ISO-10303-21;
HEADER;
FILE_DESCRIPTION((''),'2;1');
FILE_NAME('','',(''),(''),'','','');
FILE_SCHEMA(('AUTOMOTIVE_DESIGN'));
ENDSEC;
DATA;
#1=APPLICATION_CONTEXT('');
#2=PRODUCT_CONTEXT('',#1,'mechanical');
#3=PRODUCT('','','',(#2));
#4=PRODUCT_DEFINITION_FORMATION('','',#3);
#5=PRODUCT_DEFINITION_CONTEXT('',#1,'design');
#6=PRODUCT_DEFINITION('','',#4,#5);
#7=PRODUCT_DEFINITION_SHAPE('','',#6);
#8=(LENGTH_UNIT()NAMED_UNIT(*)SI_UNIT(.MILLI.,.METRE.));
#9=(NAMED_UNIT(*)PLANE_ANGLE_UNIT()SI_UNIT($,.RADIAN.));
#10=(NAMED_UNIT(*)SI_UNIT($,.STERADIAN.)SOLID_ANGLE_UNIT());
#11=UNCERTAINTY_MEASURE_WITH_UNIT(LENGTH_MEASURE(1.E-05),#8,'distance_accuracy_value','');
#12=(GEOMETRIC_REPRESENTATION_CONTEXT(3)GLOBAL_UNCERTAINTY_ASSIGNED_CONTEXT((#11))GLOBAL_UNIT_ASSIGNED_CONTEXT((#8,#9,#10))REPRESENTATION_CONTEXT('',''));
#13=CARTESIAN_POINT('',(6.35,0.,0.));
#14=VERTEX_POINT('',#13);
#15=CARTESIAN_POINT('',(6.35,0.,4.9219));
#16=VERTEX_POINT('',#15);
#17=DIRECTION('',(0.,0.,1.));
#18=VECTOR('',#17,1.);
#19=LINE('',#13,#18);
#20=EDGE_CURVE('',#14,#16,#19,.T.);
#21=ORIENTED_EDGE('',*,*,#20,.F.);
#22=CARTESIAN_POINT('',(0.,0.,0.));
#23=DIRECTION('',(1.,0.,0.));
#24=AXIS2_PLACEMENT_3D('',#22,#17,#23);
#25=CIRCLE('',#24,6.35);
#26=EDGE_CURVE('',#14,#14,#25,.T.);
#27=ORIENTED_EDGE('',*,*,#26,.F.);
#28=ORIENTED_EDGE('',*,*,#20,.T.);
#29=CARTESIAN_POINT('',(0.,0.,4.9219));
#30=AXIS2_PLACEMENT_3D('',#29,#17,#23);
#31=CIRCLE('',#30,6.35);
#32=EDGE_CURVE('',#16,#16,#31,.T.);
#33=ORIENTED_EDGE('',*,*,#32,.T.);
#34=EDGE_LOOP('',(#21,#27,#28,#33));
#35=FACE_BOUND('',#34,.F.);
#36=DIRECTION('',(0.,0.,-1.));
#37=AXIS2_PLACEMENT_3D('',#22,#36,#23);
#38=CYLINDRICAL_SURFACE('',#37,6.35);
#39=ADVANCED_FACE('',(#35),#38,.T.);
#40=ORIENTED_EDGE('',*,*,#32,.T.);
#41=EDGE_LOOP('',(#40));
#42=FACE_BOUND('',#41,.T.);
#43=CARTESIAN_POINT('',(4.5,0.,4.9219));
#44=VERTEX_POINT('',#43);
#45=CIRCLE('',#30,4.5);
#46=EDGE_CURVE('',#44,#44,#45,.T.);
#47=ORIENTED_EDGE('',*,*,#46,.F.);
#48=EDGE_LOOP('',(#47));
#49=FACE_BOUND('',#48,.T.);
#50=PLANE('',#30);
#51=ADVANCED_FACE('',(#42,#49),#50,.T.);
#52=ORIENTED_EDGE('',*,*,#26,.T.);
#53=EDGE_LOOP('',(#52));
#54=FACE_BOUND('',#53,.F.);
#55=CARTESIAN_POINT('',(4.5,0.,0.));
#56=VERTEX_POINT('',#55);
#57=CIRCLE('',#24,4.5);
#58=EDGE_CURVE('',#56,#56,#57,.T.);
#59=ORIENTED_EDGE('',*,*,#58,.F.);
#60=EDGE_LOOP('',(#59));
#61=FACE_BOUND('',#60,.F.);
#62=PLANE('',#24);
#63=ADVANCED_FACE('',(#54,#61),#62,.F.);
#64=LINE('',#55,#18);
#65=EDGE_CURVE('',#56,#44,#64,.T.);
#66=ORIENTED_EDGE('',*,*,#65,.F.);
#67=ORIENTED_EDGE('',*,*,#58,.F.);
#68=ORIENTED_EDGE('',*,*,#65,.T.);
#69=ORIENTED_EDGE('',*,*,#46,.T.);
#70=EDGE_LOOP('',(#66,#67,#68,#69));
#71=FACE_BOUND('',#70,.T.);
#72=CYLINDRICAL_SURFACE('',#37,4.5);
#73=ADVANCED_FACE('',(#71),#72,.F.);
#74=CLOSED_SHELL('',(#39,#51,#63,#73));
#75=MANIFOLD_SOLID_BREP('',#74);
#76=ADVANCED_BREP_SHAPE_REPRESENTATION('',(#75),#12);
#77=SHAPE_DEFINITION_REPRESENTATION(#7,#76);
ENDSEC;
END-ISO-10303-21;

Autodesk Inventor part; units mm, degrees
ref_plane "YZ Plane" through (0, 0, 0) normal (1, 0, 0) x (0, 1, 0)
ref_plane "XZ Plane" through (0, 0, 0) normal (0, 1, 0) x (-1, 0, 0)
ref_plane "XY Plane" through (0, 0, 0) normal (0, 0, 1) x (1, 0, 0)
sketch "Sketch1" plane through (0, 0, 0) normal (0, 0, 1) x (1, 0, 0)
  circle A0 centre (0, 0) radius 4.5
  circle A1 centre (0, 0) radius 6.35
  dimension "d0" = 9
  dimension "d1" = 12.7
extrude "Extrusion1" add sketch "Sketch1" along normal blind 4.9219
properties part number "Module Live Axle Thrust Bearing Bushing" material "Brass, Soft Yellow"
